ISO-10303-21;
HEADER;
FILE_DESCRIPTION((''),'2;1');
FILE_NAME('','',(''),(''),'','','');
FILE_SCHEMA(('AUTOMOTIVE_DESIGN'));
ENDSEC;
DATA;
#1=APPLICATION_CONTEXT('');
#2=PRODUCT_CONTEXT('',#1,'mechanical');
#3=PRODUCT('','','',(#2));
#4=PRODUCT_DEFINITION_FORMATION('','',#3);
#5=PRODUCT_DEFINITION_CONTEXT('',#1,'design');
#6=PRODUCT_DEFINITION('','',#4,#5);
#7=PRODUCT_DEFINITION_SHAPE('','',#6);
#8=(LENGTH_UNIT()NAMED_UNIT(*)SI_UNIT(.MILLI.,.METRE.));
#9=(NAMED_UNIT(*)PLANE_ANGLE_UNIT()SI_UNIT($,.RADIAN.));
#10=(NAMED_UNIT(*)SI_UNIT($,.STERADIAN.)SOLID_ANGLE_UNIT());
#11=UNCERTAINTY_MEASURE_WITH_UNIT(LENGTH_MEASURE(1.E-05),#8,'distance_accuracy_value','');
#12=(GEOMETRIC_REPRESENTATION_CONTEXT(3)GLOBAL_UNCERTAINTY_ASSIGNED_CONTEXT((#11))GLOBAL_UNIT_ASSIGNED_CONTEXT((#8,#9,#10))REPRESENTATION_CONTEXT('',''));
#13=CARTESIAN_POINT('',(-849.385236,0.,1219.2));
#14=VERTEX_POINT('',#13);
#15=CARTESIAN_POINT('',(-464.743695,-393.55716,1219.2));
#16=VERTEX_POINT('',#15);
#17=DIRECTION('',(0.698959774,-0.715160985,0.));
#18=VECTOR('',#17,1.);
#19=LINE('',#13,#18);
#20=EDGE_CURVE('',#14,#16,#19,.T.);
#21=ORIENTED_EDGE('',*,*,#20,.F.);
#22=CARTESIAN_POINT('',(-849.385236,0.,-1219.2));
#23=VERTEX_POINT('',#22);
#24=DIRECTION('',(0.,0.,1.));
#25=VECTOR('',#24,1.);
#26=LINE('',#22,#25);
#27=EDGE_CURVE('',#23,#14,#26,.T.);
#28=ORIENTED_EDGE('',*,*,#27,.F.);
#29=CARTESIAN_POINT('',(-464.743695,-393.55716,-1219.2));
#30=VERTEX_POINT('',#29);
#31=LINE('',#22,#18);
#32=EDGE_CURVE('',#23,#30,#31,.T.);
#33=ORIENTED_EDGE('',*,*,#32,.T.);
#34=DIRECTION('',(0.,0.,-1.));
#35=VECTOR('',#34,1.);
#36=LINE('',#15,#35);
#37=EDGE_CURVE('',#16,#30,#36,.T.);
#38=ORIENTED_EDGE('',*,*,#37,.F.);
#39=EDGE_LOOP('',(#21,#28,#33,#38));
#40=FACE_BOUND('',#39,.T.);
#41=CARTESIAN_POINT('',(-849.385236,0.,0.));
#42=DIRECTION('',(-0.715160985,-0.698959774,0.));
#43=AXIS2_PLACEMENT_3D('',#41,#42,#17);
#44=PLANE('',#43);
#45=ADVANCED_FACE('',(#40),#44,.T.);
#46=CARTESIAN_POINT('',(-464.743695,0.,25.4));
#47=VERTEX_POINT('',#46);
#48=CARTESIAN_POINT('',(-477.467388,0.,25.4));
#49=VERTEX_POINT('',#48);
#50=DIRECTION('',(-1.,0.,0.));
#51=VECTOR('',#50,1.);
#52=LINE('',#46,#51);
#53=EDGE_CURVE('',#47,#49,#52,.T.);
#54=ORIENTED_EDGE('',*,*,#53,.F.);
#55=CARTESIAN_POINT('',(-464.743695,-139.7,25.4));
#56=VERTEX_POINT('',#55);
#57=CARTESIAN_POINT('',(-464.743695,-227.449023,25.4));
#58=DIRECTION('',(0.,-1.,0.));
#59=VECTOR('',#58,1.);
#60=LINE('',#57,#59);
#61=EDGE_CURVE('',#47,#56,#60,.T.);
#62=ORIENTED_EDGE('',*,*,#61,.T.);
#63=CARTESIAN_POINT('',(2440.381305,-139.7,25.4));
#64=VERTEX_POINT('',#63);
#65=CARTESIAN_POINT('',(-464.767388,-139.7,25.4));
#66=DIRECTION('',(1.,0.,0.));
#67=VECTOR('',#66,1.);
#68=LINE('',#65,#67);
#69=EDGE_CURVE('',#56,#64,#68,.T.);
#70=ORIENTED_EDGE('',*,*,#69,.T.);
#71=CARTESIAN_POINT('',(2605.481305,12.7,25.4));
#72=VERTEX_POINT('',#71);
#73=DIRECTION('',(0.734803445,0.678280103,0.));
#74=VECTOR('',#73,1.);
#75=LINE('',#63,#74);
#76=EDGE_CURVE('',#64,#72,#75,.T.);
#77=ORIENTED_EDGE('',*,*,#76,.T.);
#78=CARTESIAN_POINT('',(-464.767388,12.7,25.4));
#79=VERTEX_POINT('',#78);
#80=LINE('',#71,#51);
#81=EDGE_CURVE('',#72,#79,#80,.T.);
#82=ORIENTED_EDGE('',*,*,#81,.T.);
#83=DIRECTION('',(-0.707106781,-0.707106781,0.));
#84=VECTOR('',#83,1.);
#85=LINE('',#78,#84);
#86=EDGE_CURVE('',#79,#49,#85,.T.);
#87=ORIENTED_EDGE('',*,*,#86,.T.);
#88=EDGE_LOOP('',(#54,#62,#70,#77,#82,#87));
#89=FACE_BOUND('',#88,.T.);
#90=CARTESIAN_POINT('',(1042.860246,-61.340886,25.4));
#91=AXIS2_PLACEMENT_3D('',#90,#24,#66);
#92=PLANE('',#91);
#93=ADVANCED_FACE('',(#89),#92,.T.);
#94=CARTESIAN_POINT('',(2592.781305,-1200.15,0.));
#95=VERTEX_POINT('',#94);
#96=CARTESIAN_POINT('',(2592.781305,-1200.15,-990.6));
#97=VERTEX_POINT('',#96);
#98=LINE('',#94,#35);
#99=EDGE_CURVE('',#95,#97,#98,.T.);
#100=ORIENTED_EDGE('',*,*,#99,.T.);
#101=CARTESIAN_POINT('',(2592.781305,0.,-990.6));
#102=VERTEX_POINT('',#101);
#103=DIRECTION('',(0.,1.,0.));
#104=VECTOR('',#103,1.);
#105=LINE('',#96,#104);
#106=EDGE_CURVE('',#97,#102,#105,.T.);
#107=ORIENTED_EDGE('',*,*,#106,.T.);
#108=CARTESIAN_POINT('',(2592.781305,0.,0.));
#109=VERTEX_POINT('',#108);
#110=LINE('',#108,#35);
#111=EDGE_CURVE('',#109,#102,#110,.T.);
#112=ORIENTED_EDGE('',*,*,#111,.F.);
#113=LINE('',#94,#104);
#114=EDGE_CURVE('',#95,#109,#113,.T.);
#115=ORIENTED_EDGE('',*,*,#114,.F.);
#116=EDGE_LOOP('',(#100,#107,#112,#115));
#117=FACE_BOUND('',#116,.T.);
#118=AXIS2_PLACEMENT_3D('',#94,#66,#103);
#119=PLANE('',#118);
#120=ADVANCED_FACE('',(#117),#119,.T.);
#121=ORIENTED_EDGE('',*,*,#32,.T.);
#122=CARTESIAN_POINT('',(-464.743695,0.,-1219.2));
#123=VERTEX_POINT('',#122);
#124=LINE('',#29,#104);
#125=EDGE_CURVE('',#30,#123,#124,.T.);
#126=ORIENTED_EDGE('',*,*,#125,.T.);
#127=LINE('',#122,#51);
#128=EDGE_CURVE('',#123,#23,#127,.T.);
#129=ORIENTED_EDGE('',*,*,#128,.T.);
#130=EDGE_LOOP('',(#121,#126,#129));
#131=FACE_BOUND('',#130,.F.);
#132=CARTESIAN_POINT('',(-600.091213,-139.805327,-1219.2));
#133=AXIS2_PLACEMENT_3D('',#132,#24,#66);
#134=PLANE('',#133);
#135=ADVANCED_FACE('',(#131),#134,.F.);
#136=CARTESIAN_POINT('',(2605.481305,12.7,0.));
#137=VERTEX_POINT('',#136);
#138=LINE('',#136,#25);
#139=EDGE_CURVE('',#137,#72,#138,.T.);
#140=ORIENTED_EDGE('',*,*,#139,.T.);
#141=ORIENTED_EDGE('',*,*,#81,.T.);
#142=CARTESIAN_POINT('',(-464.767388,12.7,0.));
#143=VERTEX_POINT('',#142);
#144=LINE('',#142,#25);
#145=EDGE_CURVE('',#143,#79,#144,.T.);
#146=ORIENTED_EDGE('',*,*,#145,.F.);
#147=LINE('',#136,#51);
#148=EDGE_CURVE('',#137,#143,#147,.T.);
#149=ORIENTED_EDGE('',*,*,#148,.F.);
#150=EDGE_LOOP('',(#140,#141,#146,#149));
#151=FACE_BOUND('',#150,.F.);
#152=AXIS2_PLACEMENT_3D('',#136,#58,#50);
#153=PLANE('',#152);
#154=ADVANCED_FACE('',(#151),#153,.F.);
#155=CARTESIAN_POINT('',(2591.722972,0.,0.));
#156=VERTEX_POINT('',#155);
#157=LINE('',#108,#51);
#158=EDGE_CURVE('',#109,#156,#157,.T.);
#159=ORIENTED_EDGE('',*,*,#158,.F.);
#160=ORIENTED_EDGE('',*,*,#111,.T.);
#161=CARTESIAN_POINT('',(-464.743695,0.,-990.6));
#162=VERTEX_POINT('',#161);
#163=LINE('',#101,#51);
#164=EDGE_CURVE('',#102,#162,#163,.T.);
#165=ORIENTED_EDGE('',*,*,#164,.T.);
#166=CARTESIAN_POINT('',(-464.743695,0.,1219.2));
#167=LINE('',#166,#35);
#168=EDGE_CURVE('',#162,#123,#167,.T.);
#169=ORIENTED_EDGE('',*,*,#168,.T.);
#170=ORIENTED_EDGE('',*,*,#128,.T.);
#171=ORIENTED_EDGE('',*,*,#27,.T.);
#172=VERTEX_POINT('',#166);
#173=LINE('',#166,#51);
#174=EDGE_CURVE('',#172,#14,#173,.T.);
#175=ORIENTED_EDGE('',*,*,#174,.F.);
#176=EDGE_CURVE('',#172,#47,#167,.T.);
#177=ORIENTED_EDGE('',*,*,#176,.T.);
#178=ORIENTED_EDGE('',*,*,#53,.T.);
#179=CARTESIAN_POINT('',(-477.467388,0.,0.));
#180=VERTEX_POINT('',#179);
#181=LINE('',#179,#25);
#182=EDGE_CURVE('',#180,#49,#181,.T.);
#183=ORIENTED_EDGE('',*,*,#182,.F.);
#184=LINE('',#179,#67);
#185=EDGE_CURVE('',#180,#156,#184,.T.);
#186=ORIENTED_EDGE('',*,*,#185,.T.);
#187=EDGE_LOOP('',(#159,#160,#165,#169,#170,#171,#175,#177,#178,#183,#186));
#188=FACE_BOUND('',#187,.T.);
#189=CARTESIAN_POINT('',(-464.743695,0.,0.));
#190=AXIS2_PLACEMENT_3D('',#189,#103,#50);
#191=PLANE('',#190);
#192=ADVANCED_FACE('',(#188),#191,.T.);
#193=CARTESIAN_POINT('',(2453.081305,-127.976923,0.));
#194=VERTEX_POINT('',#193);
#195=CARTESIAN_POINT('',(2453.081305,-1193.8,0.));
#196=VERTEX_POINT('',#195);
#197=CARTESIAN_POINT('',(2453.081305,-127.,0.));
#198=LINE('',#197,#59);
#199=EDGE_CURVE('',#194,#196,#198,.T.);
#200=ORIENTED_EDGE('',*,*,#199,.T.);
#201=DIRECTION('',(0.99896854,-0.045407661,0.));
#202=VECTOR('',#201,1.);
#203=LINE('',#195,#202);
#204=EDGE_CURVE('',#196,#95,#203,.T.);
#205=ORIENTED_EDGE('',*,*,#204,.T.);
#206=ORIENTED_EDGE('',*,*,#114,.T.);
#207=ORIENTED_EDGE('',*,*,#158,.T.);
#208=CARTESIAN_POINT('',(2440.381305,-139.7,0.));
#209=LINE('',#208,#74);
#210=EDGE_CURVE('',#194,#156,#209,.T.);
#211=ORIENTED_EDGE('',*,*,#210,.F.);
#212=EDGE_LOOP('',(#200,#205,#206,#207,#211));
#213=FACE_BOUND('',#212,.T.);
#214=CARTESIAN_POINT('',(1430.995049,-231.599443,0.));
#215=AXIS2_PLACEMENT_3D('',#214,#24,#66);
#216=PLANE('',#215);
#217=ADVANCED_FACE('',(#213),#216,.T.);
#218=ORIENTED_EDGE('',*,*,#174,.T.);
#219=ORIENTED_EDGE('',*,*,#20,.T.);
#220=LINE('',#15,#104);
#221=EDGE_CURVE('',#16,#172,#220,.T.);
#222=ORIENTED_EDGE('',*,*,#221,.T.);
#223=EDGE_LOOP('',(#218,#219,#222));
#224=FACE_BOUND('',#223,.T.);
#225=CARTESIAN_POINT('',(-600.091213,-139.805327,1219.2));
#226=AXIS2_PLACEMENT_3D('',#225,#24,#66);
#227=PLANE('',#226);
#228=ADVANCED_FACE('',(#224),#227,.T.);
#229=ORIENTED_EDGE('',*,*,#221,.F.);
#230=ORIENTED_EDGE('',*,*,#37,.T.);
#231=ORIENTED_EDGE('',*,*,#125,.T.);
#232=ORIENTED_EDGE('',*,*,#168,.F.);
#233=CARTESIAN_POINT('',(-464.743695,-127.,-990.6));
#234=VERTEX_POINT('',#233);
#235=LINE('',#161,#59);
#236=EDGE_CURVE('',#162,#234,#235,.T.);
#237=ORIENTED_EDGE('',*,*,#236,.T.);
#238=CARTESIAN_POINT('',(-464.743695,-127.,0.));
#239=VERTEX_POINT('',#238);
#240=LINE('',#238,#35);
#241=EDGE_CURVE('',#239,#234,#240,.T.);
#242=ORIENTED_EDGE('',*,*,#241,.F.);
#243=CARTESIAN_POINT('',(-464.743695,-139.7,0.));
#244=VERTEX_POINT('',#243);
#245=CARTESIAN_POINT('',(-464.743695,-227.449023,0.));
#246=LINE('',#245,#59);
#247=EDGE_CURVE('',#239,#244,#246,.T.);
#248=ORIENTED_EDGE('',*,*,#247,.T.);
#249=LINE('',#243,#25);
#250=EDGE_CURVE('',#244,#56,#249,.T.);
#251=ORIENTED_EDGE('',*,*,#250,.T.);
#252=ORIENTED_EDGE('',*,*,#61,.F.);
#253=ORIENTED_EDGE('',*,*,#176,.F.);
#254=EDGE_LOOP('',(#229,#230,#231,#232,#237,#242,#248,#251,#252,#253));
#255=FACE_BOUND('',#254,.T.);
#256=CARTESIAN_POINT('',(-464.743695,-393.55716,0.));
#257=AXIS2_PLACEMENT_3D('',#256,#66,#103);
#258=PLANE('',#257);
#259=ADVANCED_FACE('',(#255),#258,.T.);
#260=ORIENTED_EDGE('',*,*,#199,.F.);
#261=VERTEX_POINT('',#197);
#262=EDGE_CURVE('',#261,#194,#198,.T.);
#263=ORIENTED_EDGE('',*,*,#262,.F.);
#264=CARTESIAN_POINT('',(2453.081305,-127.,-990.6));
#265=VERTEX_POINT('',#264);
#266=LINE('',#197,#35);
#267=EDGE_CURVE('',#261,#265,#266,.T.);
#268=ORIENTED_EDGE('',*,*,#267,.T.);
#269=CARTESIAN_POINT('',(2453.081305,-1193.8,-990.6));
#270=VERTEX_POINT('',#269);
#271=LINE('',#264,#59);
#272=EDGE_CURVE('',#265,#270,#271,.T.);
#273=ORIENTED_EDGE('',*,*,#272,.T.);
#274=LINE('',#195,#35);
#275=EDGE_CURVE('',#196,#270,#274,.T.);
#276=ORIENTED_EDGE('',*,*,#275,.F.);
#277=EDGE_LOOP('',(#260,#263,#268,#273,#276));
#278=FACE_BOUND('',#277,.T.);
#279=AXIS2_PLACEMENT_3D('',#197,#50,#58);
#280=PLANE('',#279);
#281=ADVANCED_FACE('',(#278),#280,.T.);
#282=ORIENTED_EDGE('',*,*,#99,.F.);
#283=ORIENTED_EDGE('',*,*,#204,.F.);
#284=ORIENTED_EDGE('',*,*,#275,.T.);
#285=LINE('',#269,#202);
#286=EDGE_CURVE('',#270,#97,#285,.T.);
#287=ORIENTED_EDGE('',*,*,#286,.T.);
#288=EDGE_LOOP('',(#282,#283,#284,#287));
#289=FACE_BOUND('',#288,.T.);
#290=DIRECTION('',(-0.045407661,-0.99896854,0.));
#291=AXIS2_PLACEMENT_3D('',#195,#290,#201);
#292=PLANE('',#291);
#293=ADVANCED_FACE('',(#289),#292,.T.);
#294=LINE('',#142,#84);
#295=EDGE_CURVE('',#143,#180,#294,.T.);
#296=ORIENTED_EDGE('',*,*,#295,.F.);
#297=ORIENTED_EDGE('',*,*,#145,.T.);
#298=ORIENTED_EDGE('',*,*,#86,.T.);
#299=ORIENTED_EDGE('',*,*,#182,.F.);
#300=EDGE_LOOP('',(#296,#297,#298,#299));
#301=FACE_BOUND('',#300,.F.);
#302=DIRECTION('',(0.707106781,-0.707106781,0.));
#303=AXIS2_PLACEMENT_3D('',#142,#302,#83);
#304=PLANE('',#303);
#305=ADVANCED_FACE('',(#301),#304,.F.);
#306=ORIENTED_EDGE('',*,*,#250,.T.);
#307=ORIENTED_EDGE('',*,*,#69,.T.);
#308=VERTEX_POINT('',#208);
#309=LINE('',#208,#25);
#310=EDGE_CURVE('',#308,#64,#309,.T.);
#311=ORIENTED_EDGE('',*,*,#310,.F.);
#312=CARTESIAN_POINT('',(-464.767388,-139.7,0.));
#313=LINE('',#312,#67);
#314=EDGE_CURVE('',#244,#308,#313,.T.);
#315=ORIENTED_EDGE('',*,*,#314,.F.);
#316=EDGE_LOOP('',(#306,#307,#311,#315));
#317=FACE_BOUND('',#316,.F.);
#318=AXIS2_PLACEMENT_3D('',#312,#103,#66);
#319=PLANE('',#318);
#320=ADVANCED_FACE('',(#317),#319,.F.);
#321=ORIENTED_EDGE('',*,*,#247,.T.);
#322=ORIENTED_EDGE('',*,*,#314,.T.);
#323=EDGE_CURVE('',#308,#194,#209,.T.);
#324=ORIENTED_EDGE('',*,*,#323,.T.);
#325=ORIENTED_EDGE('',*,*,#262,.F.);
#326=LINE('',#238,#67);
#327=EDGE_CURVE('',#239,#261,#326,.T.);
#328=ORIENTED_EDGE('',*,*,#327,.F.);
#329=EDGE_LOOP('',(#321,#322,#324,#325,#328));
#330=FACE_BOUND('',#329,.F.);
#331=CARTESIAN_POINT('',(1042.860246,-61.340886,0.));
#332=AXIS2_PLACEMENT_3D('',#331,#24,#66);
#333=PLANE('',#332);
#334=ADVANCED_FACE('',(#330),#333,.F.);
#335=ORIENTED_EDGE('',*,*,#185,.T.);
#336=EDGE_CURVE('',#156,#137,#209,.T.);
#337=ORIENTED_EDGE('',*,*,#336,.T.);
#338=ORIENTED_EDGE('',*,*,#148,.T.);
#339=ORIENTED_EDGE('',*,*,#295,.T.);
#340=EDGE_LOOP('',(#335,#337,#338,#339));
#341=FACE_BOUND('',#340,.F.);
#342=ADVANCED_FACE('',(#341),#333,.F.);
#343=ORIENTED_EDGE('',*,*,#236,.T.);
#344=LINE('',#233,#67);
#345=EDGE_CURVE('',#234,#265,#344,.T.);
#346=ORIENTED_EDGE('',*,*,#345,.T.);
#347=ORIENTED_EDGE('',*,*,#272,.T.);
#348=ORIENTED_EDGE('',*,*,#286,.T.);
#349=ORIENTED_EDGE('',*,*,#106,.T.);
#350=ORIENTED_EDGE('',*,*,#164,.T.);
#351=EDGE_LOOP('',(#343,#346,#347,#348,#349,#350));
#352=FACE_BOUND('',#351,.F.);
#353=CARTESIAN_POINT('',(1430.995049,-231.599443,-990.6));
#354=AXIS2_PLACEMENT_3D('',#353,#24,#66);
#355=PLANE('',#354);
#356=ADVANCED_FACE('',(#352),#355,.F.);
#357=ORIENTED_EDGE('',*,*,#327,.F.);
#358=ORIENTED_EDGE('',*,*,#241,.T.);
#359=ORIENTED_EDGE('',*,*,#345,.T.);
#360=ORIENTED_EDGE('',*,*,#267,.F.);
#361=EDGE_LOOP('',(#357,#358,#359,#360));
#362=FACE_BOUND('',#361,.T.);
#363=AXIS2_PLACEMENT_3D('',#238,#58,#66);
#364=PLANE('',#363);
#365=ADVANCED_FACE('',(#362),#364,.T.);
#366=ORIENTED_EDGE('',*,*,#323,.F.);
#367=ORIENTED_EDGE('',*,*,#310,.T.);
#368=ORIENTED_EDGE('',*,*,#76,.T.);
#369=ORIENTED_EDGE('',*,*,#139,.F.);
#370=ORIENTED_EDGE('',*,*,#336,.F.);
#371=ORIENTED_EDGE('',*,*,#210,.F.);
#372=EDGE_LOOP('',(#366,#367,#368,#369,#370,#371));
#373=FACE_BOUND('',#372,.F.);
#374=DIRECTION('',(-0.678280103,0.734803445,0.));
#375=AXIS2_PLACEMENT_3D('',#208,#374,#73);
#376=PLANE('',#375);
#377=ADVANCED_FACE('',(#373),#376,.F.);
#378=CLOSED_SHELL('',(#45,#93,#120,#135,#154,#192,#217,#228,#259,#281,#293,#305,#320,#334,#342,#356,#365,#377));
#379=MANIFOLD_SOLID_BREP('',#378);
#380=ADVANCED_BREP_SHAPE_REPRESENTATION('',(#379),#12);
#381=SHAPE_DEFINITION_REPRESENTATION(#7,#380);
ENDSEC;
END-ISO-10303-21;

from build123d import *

# Parameters (mm, degrees)
F1_DEPTH = 990.6
F2_DEPTH = 1219.2
F4_DEPTH = 25.4


with BuildPart() as f1:
    # F0 (on Top) → F1 (new body)
    with BuildSketch(Plane.XY):
        Polygon((2592.781305, 0), (-464.743695, 0), (-464.743695, -127), (2453.081305, -127), (2453.081305, -1193.8), (2592.781305, -1200.15), align=None)
    extrude(amount=-F1_DEPTH)

    # F0 (on Top) → F2 (join, symmetric)
    with BuildSketch(Plane.XY):
        Polygon((-464.743695, 0), (-849.385236, 0), (-464.743695, -393.55716), (-464.743695, -127), align=None)
    extrude(amount=F2_DEPTH, both=True)

    # F3 (on face) → F4 (join)
    with BuildSketch(Plane.XY):
        Polygon((-464.767388, 0), (-464.767388, -139.7), (2440.381305, -139.7), (2605.481305, 12.7), (-464.767388, 12.7), (-477.467388, 0), align=None)
    extrude(amount=F4_DEPTH)


solid = f1.part
